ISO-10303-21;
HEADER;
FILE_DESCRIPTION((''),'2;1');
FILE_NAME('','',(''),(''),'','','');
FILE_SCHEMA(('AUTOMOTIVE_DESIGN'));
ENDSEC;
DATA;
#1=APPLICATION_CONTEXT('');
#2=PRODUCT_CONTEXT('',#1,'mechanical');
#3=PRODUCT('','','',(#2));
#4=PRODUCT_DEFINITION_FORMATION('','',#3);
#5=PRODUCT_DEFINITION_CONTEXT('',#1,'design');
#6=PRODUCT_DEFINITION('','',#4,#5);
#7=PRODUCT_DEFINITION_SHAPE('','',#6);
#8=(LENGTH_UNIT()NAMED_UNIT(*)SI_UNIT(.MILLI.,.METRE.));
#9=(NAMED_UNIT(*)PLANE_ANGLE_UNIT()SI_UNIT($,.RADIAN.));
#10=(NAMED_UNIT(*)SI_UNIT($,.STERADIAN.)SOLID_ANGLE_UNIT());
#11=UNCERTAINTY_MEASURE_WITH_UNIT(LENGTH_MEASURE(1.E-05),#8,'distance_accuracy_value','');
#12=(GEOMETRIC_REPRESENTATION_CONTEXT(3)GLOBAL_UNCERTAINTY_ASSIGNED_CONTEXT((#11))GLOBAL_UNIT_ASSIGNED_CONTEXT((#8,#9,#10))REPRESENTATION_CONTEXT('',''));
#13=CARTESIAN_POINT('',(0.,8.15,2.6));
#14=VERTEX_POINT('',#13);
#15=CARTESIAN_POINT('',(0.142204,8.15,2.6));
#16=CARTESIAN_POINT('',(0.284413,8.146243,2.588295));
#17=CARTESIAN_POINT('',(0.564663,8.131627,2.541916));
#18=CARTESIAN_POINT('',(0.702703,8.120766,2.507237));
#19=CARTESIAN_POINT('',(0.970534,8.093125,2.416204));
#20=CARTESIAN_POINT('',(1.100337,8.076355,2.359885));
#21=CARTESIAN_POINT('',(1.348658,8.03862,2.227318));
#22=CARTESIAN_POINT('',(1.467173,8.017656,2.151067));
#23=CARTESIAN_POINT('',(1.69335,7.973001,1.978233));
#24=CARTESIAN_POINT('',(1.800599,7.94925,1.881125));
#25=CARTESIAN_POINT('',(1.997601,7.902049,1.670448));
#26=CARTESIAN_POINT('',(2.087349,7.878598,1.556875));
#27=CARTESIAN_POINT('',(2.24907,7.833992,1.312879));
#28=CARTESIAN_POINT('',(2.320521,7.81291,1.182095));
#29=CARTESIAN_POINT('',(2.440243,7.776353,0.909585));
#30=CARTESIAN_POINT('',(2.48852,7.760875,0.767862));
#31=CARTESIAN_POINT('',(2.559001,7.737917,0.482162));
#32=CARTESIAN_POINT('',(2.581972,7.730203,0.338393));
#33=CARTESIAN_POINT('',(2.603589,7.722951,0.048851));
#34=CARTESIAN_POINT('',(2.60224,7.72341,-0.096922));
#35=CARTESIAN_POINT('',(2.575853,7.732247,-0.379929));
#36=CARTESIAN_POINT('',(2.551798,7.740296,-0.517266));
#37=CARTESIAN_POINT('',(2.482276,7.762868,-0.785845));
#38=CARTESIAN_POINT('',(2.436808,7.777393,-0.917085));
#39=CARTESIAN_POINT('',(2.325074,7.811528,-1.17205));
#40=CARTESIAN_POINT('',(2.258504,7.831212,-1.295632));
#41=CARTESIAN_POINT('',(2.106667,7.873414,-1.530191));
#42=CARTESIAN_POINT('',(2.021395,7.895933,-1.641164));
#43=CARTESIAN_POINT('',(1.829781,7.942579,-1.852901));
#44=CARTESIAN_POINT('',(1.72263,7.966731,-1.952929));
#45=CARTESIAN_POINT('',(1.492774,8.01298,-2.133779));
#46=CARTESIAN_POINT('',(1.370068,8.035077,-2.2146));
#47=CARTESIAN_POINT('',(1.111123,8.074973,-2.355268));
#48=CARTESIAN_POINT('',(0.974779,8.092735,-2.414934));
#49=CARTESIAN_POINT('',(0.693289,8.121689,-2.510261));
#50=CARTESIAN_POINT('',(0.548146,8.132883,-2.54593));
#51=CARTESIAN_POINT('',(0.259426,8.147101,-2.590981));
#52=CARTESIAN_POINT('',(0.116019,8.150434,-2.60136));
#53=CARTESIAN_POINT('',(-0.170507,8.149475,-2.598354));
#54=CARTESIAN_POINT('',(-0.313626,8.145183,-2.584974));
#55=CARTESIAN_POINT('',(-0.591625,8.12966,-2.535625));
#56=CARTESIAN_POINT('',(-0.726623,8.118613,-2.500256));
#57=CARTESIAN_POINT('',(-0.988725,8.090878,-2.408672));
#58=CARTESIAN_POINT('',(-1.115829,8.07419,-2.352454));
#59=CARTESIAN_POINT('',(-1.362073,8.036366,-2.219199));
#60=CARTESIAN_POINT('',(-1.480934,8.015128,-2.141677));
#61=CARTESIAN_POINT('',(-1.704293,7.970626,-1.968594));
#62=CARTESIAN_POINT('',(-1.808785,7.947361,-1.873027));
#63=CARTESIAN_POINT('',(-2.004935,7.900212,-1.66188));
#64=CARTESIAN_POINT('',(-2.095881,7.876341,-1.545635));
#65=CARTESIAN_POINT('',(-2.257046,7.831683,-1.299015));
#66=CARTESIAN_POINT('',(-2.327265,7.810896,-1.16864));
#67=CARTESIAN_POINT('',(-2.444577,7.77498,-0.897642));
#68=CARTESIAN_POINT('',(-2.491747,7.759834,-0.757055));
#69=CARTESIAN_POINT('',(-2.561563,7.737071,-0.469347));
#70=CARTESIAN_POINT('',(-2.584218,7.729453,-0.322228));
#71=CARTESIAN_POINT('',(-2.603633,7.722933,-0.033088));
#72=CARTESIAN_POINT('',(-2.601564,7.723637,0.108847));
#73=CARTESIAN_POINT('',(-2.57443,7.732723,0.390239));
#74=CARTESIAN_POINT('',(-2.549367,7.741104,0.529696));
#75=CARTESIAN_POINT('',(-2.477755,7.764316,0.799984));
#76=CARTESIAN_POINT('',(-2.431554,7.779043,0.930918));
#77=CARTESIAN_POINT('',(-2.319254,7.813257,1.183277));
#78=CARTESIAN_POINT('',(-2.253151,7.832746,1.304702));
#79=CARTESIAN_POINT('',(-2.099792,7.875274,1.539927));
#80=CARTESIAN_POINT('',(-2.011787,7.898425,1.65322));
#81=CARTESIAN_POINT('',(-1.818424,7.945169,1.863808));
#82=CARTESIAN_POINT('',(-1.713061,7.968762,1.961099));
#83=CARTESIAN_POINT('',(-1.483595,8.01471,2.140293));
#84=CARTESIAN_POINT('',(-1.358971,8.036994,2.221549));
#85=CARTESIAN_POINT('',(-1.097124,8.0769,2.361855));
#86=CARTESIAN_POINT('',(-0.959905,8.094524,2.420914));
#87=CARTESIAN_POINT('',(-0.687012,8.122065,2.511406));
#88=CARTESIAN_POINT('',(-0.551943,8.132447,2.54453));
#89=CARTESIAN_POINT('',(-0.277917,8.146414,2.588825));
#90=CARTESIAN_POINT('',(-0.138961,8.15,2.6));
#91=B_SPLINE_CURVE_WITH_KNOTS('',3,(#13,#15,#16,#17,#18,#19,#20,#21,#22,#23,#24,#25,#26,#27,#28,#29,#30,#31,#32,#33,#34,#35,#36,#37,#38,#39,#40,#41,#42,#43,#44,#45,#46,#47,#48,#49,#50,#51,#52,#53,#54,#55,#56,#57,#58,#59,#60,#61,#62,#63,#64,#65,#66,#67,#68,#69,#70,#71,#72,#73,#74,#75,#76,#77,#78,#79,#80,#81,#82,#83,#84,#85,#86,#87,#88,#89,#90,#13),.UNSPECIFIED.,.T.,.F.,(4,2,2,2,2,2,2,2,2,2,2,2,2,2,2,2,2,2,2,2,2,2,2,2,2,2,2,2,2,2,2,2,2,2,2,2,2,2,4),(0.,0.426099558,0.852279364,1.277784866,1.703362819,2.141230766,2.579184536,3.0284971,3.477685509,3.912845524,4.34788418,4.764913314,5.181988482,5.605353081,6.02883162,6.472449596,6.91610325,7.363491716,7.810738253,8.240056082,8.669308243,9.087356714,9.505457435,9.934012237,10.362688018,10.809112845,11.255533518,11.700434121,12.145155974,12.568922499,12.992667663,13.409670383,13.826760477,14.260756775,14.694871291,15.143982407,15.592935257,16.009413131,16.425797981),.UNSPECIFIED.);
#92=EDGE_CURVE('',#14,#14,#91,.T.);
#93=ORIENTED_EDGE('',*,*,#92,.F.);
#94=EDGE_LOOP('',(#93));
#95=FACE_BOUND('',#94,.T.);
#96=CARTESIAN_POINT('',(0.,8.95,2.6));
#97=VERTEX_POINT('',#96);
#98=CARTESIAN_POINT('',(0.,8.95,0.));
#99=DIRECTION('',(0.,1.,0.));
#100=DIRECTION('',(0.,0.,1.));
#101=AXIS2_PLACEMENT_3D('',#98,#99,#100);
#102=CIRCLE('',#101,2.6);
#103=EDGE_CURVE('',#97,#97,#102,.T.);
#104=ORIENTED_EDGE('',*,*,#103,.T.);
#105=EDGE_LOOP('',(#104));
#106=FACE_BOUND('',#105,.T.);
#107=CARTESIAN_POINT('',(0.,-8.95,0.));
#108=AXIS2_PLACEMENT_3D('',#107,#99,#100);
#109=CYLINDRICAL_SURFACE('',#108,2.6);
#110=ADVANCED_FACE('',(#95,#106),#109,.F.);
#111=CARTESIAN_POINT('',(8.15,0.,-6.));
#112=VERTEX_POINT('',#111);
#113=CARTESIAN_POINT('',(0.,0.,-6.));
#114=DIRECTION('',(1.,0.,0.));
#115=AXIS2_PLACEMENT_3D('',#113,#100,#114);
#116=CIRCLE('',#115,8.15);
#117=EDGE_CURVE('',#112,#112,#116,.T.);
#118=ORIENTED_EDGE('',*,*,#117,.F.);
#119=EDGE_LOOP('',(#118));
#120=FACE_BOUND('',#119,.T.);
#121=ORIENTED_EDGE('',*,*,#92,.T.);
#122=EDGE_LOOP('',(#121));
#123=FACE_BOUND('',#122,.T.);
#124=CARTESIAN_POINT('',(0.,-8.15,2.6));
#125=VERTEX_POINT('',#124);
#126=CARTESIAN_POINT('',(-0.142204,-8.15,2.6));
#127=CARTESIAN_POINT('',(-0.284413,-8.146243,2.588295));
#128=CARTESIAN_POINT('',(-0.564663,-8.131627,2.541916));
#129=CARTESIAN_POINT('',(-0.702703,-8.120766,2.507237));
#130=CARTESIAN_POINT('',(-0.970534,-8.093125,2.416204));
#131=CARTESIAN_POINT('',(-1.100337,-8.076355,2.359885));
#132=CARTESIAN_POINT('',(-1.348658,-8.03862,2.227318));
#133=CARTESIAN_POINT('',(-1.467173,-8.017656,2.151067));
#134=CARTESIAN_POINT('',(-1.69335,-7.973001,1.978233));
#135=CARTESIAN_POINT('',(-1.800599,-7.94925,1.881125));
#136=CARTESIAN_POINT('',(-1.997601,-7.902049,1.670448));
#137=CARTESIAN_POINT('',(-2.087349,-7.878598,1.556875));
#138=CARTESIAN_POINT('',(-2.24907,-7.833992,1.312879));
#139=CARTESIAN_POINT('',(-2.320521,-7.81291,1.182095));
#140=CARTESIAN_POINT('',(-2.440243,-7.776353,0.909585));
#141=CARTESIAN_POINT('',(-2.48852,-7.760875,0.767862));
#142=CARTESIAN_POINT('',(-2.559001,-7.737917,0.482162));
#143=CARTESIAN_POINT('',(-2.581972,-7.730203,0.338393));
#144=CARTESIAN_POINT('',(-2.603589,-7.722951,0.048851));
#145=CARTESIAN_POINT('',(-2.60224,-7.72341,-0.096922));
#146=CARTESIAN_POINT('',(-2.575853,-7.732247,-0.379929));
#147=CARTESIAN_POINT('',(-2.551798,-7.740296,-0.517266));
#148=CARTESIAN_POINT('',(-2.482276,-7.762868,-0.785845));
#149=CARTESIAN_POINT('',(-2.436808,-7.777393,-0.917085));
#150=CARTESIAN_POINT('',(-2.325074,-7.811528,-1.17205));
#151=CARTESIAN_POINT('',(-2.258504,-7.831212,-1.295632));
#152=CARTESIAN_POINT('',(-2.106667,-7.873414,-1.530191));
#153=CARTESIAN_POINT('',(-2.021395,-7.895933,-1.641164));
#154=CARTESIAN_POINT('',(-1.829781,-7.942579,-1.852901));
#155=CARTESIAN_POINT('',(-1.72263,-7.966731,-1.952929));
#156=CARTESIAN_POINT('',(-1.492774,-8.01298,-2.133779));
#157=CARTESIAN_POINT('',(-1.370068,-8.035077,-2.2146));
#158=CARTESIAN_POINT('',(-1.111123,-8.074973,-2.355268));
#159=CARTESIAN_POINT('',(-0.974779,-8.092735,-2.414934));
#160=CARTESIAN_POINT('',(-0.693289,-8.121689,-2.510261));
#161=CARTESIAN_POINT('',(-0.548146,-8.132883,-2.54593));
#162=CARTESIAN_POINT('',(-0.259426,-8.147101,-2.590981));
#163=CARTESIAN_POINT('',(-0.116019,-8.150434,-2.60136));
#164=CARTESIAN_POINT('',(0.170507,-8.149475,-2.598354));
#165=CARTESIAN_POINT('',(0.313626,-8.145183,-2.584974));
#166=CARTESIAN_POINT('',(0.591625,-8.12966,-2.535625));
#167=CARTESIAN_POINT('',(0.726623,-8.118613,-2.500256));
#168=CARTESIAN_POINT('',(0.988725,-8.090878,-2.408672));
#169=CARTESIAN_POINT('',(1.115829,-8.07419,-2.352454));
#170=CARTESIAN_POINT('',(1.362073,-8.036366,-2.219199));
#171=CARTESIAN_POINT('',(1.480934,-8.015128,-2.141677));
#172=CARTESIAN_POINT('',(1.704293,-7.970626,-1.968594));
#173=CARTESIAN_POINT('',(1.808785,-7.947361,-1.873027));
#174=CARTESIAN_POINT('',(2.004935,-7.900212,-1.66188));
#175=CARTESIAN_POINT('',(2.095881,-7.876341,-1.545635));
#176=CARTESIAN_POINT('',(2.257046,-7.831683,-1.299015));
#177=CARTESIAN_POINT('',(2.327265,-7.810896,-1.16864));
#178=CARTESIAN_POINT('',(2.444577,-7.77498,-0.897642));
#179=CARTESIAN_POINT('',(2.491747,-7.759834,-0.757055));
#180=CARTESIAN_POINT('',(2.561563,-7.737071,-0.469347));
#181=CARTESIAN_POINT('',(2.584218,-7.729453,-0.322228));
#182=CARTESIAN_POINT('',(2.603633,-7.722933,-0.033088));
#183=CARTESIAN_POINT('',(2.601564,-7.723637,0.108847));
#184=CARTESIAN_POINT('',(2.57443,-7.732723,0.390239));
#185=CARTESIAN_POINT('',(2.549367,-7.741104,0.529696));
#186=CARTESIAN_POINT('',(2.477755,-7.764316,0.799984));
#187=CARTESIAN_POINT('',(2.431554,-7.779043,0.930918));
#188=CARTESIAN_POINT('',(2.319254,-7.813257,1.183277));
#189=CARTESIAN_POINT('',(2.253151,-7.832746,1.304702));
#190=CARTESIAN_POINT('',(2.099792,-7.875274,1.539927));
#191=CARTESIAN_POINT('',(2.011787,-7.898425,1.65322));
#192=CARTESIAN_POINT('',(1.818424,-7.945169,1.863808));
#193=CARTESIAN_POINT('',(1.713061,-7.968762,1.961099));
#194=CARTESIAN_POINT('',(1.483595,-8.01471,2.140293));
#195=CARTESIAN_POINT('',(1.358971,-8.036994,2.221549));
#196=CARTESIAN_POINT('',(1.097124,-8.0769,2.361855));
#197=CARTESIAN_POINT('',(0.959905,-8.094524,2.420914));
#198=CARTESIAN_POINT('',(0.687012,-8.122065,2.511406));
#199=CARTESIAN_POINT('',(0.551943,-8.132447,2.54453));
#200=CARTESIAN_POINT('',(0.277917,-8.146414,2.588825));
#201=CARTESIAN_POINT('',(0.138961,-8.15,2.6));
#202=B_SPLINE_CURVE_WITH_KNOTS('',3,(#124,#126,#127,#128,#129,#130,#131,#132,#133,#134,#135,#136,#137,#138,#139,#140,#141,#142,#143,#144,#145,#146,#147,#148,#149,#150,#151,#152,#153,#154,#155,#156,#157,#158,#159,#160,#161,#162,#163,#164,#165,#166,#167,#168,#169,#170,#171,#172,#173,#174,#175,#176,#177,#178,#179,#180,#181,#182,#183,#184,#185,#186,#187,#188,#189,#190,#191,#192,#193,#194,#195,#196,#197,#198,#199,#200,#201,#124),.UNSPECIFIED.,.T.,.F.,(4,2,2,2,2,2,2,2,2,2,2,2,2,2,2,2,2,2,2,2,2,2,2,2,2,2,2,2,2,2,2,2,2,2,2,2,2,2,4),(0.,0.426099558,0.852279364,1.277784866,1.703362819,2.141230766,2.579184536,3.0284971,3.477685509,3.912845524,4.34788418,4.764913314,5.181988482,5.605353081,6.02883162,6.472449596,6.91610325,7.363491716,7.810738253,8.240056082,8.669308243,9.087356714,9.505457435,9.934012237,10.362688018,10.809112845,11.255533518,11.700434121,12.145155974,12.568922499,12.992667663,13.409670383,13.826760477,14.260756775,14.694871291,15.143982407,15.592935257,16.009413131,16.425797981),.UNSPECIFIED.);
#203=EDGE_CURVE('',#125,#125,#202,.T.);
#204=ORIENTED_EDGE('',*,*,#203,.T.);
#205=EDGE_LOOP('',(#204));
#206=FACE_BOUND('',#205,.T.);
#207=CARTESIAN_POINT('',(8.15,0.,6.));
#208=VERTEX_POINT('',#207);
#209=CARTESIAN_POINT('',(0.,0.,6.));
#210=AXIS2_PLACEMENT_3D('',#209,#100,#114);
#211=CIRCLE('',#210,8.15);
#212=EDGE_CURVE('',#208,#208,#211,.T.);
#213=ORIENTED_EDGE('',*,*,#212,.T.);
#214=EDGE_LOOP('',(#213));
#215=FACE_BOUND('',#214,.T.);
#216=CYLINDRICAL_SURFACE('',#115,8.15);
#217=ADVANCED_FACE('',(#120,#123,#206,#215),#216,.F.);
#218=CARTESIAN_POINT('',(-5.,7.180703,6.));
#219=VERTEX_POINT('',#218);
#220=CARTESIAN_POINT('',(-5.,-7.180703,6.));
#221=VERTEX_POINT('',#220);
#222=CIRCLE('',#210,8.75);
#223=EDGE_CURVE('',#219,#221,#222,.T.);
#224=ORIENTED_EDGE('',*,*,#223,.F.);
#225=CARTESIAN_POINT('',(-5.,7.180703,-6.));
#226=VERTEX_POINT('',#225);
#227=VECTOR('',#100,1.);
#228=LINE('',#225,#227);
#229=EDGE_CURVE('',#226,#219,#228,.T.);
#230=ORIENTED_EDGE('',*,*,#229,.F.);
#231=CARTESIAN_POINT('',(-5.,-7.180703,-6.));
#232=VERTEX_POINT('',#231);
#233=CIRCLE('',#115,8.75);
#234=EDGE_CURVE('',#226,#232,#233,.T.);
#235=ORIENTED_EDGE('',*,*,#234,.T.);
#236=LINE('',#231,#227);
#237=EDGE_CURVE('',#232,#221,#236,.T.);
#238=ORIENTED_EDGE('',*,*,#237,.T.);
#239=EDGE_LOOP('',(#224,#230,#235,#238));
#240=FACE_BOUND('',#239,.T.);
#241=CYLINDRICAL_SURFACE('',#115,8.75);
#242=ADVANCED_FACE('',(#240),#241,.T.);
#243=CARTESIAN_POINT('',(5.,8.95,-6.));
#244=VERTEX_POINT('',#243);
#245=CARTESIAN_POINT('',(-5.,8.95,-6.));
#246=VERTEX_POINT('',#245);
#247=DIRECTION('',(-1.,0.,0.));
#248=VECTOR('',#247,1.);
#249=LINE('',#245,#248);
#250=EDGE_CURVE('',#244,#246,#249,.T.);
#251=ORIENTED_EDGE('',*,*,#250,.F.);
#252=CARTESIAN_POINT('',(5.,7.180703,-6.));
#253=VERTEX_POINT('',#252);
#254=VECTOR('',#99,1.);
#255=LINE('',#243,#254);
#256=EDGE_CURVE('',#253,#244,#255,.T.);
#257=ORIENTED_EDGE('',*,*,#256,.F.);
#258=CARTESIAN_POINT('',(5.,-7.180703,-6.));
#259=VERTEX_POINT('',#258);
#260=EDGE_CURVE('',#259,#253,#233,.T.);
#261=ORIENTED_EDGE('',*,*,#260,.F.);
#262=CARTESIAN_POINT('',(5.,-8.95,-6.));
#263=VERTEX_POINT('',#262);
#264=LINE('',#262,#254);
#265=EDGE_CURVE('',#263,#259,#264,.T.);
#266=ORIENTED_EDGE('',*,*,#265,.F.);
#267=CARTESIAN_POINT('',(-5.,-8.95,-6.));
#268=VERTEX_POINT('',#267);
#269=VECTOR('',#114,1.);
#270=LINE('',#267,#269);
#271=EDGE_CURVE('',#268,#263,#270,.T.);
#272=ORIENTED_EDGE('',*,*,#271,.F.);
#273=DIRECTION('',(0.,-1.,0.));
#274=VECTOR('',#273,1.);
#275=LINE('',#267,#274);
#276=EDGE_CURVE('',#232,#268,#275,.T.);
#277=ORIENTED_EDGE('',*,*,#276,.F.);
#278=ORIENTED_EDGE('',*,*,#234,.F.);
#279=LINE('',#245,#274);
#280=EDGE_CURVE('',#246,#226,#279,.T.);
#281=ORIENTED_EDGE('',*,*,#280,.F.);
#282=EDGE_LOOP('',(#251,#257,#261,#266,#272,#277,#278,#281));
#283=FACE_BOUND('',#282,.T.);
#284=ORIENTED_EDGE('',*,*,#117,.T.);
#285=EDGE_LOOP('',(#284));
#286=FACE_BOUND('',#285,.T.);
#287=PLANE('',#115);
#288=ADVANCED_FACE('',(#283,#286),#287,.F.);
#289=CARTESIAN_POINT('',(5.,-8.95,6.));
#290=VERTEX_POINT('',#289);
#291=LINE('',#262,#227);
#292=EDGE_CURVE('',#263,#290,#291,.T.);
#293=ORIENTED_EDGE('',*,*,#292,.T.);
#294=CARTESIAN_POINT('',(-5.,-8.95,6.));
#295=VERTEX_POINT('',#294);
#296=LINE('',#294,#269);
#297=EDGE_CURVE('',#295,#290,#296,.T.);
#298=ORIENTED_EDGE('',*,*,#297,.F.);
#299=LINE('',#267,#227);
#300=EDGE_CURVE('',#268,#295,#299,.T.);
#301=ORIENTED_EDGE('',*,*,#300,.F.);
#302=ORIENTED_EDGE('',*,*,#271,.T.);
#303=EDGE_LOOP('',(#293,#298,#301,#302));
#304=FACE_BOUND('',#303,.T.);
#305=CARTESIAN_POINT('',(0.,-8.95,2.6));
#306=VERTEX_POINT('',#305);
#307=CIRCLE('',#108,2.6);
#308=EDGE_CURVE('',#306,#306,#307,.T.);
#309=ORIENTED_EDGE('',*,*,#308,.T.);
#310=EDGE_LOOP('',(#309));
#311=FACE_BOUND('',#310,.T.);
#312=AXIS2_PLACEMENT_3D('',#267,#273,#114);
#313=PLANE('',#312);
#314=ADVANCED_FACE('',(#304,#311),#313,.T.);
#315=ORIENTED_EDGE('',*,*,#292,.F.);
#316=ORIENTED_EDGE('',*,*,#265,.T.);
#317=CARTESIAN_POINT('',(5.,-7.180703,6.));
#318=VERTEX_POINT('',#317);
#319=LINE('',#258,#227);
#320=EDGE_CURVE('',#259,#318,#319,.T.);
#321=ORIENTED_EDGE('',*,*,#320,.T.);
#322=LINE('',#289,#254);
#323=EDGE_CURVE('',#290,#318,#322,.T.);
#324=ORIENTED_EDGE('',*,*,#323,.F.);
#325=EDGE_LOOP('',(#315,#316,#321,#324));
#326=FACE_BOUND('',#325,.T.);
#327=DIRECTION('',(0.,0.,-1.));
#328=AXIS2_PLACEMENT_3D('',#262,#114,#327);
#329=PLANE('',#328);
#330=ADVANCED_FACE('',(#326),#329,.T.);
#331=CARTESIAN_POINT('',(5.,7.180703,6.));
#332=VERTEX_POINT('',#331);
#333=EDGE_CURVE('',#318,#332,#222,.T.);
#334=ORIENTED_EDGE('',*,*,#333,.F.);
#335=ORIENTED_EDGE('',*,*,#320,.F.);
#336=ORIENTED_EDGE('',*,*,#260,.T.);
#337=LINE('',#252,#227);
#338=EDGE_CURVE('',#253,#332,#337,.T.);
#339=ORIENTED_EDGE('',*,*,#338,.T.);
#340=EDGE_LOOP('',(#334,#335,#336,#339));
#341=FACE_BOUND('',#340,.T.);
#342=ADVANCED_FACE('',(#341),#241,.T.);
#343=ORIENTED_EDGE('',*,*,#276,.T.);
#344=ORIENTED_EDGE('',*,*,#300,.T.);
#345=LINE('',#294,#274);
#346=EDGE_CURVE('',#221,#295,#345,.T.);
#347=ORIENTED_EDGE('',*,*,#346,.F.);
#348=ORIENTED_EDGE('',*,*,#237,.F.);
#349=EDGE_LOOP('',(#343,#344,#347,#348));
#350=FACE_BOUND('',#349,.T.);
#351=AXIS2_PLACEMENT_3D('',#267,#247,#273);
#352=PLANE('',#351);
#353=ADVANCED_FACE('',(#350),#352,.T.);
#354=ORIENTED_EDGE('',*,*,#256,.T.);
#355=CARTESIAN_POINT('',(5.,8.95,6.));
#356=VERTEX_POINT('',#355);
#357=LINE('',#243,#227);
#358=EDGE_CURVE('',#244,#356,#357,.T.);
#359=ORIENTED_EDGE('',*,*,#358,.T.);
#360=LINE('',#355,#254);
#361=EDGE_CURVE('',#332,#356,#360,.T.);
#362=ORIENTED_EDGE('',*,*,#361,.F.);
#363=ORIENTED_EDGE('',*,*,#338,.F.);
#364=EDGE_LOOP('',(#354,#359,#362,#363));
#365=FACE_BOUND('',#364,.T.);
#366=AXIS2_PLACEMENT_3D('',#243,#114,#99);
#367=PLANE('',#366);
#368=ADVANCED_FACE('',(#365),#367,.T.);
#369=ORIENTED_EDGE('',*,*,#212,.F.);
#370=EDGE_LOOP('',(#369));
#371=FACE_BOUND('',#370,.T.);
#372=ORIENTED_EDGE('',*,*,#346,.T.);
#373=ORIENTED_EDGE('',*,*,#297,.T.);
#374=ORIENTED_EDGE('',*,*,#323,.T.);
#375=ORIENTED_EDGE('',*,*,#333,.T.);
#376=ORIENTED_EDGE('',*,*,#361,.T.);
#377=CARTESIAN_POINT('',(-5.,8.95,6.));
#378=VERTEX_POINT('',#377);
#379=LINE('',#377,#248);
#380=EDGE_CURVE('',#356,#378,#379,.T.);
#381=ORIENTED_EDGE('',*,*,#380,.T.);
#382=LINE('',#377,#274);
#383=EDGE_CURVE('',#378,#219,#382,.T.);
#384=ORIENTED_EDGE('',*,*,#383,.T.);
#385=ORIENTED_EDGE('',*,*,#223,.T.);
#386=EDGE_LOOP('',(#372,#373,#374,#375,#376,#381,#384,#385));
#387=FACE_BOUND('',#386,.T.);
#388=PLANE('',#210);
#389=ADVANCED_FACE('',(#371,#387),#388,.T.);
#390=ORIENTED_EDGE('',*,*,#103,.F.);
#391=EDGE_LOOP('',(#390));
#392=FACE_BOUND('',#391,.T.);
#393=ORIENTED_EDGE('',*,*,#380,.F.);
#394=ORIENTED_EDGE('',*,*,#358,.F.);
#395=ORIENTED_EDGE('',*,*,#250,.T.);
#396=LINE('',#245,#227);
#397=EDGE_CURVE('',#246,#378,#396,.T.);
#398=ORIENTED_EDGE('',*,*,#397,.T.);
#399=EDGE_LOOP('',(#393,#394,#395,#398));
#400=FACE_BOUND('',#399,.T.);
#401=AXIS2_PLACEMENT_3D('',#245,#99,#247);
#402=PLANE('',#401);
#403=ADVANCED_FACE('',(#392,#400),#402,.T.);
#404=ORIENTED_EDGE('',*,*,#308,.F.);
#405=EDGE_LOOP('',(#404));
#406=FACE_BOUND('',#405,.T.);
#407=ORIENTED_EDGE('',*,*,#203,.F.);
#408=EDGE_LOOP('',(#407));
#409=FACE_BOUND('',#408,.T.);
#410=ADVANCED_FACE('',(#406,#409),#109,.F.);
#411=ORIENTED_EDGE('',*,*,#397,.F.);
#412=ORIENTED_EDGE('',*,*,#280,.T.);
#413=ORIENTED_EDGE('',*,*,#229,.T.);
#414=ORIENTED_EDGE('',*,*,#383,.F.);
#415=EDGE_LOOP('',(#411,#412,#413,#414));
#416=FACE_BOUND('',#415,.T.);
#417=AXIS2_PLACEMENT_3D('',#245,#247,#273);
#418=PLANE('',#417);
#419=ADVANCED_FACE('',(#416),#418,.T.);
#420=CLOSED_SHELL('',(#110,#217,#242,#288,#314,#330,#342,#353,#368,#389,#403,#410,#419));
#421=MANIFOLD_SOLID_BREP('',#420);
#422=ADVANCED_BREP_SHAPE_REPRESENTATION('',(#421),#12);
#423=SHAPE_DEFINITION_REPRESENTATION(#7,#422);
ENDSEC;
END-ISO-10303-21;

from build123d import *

# Parameters (mm, degrees)
BOSS_EXTRUDE2_DEPTH      = 6
BOSS_EXTRUDE2_DEPTH_BACK = 6
SKETCH1_R                = 8.15
SKETCH2_R                = 2.6
CUT_EXTRUDE1_DEPTH       = 21.807991253


with BuildPart() as part:
    # Sketch1 → Boss-Extrude2 (new, two sides: drawn at the far end of the back side and taken through both)
    with BuildSketch(Plane.XY.offset(-BOSS_EXTRUDE2_DEPTH_BACK)):
        with BuildLine():
            Line((-5, 8.95), (5, 8.95))
            Line((5, 8.95), (5, 7.180703308))
            ThreePointArc((5, 7.180703308), (8.75, 0), (5, -7.180703308))
            Line((5, -7.180703308), (5, -8.95))
            Line((5, -8.95), (-5, -8.95))
            Line((-5, -8.95), (-5, -7.180703308))
            ThreePointArc((-5, -7.180703308), (-8.75, 0), (-5, 7.180703308))
            Line((-5, 7.180703308), (-5, 8.95))
        make_face()
        Circle(SKETCH1_R, mode=Mode.SUBTRACT)
    extrude(amount=BOSS_EXTRUDE2_DEPTH + BOSS_EXTRUDE2_DEPTH_BACK)

    # Sketch2 → Cut-Extrude1 (cut, through all)
    with BuildSketch(Plane(origin=(0, 8.95, 0), x_dir=(1, 0, 0), z_dir=(0, 1, 0))):
        Circle(SKETCH2_R)
    extrude(amount=-CUT_EXTRUDE1_DEPTH, mode=Mode.SUBTRACT)


solid = part.part
